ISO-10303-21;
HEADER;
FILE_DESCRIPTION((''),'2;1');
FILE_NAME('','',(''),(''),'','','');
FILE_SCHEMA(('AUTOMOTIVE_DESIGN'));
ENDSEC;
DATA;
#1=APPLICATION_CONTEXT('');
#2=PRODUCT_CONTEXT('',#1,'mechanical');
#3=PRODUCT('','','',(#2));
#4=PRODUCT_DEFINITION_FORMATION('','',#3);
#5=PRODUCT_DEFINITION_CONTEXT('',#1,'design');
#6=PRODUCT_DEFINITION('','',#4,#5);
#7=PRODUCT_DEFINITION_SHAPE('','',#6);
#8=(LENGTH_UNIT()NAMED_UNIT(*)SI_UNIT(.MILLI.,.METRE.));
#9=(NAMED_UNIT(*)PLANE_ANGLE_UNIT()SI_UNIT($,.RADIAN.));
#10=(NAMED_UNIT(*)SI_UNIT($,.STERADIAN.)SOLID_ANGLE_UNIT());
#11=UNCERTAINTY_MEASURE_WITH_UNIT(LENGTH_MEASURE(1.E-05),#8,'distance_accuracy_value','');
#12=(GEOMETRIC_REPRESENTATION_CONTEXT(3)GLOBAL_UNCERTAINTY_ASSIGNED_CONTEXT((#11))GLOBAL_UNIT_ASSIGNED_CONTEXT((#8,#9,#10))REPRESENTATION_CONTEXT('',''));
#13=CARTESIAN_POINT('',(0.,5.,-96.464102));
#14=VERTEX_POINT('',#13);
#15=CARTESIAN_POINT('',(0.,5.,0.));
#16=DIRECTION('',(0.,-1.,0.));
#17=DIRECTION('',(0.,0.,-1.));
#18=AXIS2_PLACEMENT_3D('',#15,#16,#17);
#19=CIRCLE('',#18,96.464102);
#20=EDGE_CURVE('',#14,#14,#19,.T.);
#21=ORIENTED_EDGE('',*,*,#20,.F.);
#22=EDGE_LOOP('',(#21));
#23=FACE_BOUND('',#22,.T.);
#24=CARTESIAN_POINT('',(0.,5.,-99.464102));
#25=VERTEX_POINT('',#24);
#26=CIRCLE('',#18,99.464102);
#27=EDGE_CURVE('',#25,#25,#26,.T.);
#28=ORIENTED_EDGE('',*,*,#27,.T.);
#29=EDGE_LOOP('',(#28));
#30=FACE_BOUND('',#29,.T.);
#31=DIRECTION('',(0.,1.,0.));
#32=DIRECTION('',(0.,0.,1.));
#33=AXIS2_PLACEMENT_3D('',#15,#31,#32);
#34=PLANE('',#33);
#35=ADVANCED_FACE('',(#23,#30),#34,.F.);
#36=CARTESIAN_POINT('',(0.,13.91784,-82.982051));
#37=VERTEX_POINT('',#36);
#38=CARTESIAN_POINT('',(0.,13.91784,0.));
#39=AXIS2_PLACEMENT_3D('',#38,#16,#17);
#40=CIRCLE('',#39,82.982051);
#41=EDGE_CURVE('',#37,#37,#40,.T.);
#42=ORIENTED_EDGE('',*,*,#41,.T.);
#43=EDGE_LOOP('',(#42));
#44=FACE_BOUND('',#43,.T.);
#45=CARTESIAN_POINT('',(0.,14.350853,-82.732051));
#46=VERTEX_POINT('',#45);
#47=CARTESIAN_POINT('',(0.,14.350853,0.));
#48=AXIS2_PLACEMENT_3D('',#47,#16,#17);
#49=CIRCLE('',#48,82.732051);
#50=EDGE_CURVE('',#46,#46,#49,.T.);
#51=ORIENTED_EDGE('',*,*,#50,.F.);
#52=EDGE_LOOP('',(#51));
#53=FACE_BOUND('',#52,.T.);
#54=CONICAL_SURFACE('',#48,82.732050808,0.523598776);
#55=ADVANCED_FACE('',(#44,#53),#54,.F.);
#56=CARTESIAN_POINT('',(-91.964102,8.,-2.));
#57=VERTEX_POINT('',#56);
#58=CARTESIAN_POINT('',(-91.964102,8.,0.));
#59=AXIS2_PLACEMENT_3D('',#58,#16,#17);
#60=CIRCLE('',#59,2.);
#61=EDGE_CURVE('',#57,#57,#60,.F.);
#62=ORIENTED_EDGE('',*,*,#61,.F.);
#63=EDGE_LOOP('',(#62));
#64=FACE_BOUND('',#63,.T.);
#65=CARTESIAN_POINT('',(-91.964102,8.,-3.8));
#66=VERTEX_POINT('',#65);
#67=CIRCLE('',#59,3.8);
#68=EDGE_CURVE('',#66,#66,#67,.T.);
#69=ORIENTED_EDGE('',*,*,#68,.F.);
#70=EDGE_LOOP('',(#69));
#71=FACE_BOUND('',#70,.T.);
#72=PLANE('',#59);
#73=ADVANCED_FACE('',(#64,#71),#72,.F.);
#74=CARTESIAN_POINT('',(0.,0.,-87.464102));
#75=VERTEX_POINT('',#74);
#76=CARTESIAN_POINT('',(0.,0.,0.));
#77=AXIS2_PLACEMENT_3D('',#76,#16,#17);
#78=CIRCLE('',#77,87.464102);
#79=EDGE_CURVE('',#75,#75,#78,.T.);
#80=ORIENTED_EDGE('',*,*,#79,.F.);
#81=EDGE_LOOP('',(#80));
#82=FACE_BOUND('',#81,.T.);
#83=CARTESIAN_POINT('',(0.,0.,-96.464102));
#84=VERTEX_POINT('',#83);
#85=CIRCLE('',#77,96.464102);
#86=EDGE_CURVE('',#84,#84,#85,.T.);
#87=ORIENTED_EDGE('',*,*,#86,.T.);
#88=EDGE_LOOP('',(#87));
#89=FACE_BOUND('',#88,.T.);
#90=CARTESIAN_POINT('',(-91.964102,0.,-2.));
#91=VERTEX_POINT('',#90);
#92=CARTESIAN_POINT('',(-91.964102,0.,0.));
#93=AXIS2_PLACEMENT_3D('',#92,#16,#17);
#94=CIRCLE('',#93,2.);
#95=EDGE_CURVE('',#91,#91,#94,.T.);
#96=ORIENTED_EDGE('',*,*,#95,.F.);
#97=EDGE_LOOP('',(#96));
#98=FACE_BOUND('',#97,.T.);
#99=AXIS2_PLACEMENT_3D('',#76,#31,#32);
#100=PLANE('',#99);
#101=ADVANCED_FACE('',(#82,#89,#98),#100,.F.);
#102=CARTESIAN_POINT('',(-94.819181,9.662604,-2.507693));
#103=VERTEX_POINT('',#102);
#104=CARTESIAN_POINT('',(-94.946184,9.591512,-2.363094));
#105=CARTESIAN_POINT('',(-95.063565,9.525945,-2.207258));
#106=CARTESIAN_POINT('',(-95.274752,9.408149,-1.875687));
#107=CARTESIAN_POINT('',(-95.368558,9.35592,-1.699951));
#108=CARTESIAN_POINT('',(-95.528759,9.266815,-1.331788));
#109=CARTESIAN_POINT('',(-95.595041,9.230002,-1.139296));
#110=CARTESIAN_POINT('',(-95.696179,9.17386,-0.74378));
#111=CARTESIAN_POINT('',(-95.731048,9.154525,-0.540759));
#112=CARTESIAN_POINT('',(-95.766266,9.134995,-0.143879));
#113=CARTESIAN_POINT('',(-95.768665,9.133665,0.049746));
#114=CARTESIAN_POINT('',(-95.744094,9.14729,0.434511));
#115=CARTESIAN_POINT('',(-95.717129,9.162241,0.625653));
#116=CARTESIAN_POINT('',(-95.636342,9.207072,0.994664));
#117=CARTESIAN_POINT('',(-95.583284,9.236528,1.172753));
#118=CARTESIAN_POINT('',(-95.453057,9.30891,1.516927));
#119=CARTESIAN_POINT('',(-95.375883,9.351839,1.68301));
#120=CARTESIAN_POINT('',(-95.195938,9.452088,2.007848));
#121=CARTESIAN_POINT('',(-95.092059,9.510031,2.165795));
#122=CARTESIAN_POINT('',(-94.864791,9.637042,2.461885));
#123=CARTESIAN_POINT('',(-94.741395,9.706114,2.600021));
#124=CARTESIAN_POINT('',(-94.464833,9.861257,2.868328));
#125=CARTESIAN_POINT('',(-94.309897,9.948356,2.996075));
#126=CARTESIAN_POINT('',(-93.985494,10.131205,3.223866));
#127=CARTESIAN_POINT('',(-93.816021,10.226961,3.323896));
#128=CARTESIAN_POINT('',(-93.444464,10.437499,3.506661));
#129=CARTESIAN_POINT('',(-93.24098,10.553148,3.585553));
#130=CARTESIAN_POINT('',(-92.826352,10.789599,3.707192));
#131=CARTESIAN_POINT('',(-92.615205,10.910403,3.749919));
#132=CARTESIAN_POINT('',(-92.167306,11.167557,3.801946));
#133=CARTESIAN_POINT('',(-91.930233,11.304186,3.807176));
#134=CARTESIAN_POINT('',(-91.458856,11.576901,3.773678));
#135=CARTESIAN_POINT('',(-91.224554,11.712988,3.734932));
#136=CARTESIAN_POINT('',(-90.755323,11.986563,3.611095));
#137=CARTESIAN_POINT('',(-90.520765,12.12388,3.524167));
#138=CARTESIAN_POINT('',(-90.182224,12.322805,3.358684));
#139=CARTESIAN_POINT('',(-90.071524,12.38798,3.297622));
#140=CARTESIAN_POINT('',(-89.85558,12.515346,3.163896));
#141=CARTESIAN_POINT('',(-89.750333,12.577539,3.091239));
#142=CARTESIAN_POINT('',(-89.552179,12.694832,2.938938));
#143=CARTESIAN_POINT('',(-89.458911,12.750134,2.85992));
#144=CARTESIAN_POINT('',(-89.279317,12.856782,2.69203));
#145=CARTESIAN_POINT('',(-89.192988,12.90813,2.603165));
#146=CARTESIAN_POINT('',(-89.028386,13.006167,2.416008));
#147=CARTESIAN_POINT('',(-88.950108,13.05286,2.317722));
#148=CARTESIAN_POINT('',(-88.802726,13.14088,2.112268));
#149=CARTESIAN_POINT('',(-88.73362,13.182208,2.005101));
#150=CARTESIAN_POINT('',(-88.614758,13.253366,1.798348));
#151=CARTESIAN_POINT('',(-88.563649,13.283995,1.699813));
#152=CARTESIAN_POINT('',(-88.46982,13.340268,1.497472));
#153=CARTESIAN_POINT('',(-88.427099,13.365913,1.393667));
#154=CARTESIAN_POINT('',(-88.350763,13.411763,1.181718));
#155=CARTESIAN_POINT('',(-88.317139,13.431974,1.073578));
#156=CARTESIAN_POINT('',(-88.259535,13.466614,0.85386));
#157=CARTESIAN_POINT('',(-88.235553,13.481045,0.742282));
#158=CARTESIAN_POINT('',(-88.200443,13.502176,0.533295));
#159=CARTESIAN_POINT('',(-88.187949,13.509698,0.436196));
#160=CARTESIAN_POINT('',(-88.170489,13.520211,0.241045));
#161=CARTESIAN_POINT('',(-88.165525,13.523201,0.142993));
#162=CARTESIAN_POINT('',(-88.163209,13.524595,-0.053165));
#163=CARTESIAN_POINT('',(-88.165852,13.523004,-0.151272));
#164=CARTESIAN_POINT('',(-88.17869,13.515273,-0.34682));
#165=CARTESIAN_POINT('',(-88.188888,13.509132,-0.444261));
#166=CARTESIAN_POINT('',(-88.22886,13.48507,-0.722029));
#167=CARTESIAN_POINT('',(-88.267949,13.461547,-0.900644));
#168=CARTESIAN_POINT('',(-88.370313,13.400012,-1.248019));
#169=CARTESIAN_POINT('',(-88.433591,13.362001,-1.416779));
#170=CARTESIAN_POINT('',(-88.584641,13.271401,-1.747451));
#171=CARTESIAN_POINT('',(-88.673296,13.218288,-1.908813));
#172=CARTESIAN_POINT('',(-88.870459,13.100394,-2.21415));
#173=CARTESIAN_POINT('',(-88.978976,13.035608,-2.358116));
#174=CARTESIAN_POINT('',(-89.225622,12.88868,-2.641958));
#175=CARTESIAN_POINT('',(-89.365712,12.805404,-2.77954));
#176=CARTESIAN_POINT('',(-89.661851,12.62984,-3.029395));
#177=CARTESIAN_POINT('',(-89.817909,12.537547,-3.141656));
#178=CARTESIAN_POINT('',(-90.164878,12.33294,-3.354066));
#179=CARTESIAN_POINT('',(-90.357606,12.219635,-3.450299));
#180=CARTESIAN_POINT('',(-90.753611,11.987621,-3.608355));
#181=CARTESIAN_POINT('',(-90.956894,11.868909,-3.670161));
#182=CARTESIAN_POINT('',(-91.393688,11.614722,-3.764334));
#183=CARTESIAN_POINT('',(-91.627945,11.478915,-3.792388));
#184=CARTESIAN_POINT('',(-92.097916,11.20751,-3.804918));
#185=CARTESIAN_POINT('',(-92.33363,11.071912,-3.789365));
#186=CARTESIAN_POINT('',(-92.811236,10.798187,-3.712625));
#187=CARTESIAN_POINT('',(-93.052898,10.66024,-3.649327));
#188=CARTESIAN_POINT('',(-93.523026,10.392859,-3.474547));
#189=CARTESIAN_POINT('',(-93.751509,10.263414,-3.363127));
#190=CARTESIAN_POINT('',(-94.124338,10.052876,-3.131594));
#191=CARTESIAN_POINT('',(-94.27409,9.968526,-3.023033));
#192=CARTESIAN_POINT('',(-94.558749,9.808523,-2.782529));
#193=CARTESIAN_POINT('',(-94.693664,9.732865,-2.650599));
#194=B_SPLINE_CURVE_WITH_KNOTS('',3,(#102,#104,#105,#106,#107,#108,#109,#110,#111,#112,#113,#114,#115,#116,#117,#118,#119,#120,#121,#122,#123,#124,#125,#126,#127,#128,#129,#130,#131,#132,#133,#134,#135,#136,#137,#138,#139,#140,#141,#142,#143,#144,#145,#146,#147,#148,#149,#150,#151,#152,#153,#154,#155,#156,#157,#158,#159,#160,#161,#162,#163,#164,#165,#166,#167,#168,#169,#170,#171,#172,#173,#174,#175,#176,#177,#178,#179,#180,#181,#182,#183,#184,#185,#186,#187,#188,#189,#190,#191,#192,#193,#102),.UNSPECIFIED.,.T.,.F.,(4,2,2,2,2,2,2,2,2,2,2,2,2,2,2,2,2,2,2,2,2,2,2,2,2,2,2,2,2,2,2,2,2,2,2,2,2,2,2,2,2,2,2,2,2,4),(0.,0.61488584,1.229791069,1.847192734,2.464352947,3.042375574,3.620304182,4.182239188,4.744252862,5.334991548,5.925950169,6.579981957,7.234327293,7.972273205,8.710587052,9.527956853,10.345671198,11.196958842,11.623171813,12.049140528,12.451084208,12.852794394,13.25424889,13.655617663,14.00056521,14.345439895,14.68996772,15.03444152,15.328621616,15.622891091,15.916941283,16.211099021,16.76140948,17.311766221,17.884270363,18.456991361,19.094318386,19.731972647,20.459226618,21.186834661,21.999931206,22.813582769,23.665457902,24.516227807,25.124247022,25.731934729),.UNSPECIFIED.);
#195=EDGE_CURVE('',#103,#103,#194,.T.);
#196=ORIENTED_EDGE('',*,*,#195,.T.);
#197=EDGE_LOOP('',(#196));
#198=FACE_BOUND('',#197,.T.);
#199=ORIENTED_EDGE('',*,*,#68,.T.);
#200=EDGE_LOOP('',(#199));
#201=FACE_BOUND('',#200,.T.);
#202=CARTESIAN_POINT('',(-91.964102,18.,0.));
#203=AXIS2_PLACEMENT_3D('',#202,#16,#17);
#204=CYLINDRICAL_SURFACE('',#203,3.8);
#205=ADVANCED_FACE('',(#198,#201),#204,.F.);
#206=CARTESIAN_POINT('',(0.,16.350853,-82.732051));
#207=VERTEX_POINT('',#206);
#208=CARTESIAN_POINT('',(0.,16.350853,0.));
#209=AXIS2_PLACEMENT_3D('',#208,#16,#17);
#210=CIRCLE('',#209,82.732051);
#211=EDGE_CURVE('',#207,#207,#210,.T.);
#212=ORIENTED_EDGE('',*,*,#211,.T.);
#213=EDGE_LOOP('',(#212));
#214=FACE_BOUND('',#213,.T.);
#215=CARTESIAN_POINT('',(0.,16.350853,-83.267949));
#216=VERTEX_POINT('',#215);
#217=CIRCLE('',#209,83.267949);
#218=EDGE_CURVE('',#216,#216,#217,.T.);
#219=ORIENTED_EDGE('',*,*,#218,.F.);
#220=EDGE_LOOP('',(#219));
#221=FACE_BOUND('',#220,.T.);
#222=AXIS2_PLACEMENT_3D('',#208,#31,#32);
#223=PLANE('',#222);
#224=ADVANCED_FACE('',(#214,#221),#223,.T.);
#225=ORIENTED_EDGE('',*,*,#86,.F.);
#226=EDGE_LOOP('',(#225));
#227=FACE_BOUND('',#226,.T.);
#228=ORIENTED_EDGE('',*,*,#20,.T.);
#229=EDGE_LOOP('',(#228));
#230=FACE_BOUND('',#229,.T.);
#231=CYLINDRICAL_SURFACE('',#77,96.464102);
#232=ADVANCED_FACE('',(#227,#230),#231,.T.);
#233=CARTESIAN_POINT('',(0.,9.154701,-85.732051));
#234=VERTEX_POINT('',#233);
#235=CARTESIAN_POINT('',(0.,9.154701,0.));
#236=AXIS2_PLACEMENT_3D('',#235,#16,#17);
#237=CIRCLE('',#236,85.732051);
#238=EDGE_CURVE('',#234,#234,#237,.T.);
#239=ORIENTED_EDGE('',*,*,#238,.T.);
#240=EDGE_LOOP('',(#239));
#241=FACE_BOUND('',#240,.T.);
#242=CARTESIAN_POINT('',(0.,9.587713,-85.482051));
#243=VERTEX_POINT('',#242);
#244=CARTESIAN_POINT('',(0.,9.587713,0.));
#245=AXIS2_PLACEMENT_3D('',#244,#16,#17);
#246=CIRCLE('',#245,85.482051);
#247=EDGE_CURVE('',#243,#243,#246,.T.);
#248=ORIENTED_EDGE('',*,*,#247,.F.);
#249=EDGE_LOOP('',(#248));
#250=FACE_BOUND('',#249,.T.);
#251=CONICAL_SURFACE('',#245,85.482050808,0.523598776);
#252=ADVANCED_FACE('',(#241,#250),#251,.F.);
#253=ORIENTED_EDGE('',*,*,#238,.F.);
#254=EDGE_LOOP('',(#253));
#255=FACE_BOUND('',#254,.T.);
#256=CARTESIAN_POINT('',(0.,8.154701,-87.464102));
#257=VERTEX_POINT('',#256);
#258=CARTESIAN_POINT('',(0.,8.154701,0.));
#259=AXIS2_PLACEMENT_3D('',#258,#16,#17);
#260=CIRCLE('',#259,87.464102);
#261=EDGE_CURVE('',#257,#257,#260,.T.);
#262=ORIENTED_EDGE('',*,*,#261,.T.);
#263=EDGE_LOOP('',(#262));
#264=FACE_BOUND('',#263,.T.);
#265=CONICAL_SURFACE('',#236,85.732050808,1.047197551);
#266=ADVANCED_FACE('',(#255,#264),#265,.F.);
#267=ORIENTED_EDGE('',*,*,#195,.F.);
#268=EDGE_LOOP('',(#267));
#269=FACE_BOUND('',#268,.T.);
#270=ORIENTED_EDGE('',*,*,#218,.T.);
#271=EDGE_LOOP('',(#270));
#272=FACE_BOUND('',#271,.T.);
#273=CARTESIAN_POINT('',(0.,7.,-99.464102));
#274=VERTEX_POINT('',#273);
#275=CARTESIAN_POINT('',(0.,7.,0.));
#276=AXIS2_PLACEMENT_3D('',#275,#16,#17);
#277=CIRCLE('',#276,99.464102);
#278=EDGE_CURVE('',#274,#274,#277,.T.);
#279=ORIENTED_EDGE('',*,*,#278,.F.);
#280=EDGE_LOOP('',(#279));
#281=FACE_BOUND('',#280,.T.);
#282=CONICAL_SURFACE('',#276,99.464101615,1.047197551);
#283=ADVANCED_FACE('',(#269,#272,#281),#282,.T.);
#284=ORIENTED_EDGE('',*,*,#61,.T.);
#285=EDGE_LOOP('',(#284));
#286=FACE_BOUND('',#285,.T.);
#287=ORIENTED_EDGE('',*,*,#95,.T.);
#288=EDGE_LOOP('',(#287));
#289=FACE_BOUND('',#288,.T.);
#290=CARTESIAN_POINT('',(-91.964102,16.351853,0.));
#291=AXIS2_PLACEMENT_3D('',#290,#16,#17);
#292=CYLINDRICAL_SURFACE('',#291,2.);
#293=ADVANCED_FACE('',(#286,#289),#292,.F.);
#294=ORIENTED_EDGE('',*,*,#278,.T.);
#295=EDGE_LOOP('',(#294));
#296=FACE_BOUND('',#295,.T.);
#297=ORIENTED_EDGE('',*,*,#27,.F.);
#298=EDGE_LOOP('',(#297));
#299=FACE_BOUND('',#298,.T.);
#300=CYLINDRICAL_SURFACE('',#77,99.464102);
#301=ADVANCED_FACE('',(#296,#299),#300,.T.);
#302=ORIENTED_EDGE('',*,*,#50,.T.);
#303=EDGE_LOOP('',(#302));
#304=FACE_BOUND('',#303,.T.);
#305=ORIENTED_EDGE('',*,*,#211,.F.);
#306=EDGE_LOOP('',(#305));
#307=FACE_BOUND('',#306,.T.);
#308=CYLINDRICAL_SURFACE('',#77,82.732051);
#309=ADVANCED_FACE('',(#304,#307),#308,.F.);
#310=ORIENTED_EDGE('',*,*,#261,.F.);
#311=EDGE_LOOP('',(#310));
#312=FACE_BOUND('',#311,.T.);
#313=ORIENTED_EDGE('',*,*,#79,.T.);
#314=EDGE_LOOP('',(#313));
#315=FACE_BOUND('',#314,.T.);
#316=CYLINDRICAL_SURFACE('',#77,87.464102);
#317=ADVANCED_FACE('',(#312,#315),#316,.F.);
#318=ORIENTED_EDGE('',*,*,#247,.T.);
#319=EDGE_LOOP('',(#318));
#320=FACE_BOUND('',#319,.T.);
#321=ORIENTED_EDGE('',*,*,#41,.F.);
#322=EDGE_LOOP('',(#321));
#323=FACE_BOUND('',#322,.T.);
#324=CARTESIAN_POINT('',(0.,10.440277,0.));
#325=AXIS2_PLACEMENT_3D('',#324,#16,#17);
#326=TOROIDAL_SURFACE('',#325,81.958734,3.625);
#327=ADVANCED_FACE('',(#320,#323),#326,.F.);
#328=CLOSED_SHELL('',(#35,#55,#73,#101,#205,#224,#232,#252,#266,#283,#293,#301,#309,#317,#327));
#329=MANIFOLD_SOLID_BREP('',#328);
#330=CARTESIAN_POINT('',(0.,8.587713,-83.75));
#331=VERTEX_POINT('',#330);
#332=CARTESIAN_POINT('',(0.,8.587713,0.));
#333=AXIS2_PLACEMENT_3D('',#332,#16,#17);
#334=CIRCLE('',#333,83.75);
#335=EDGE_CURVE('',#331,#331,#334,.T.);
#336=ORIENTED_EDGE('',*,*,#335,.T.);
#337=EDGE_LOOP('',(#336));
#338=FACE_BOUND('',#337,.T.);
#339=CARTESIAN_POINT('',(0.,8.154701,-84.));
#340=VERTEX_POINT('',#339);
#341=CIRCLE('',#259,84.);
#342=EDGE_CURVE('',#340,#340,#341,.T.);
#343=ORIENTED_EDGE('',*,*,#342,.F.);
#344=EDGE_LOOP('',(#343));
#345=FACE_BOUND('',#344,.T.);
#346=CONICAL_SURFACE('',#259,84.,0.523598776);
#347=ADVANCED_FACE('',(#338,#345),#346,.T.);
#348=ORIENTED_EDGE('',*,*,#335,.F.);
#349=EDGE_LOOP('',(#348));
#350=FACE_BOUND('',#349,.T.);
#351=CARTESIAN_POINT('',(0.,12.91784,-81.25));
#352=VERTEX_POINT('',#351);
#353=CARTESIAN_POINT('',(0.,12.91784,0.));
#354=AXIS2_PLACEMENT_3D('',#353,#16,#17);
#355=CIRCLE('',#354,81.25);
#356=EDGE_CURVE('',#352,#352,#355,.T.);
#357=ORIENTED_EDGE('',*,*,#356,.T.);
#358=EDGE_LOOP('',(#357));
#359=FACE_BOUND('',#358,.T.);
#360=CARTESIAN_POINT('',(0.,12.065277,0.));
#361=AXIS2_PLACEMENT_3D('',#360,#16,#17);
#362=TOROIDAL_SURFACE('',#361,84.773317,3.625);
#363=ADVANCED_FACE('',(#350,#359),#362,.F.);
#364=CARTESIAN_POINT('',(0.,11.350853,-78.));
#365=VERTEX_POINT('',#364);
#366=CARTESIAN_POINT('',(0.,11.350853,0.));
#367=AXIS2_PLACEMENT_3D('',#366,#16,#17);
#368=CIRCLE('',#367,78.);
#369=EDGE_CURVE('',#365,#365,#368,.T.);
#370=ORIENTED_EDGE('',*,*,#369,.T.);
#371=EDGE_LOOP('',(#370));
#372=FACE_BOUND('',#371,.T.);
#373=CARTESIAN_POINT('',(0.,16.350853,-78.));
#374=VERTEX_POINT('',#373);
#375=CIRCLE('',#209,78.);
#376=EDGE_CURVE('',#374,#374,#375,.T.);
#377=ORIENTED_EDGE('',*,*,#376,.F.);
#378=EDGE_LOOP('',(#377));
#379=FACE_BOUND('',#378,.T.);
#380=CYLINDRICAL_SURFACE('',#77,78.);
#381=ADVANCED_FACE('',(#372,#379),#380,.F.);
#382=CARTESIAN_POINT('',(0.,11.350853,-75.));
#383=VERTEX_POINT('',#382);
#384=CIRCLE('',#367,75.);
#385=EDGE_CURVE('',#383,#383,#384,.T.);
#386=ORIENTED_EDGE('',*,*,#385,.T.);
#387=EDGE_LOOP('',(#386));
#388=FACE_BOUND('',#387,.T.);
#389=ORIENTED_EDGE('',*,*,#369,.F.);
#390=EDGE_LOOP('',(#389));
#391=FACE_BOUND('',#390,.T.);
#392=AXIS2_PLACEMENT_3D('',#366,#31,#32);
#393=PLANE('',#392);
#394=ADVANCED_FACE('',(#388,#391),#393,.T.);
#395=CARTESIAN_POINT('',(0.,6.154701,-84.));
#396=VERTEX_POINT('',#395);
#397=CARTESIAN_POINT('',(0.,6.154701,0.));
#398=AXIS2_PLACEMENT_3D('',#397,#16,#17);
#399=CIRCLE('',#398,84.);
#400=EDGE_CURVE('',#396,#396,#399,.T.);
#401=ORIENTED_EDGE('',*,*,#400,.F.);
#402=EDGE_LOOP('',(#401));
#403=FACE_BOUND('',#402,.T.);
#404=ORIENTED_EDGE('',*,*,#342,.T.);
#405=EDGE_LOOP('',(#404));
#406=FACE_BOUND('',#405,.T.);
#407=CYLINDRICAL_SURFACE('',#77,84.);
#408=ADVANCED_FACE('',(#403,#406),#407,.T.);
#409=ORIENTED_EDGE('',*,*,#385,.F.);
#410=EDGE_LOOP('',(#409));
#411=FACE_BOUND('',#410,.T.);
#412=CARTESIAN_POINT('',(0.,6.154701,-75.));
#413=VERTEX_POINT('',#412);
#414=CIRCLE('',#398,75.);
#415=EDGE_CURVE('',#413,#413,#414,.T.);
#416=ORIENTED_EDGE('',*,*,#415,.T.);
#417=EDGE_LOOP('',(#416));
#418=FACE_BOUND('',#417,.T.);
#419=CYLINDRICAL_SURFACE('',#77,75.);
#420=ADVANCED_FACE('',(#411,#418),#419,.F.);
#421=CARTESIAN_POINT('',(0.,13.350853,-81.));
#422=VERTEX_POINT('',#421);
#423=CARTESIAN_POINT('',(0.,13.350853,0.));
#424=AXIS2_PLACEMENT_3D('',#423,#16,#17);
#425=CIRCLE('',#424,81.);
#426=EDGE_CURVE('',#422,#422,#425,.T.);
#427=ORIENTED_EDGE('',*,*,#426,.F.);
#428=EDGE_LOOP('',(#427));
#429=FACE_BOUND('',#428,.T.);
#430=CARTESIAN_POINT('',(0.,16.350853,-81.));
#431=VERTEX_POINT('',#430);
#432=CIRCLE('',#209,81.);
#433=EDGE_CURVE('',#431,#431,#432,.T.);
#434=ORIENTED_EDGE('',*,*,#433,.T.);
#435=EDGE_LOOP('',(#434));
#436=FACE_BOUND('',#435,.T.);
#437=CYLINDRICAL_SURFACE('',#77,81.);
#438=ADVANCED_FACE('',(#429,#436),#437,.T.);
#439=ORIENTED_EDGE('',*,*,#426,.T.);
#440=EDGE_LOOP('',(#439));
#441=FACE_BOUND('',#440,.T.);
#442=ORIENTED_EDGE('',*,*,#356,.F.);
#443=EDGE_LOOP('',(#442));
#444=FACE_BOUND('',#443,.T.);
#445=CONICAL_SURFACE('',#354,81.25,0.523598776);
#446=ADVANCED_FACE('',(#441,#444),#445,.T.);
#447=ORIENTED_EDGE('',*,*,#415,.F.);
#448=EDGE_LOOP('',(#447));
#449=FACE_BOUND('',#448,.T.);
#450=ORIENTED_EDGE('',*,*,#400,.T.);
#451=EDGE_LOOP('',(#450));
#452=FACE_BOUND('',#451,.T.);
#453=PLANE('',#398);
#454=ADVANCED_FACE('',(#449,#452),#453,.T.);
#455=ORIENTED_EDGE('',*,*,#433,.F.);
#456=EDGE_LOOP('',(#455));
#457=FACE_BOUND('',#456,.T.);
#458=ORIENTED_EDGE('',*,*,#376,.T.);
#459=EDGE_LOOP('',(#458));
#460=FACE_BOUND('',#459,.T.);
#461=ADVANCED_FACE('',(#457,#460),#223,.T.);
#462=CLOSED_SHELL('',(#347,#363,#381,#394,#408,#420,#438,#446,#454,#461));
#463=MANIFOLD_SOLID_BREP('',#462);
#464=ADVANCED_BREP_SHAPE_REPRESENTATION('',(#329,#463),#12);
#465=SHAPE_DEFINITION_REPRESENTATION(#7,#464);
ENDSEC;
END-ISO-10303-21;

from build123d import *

# Parameters (mm, degrees)
CUT_EXTRUDE1_REACH = 143.611
SKETCH2_R          = 2
CUT_EXTRUDE5_START = -8
SKETCH2_3_R        = 3.8
CUT_EXTRUDE5_DEPTH = 10


with BuildPart() as part:
    # Sketch1 → Revolve1 (revolve)
    with BuildSketch(Plane.XY):
        with BuildLine():
            Line((-83.267949192, 16.350852961), (-99.464101615, 7))
            Line((-99.464101615, 7), (-99.464101615, 5))
            Line((-99.464101615, 5), (-96.464101615, 5))
            Line((-96.464101615, 5), (-96.464101615, 0))
            Line((-96.464101615, 0), (-87.464101615, 0))
            Line((-87.464101615, 0), (-87.464101615, 8.154700538))
            Line((-87.464101615, 8.154700538), (-85.732050808, 9.154700538))
            Line((-85.732050808, 9.154700538), (-85.482050808, 9.58771324))
            ThreePointArc((-85.482050808, 9.58771324), (-85.098076211, 12.25277675), (-82.982050808, 13.917840259))
            Line((-82.982050808, 13.917840259), (-82.732050808, 14.350852961))
            Line((-82.732050808, 14.350852961), (-82.732050808, 16.350852961))
            Line((-82.732050808, 16.350852961), (-83.267949192, 16.350852961))
        make_face()
    revolve(axis=Axis((0, 0, 0), (0, 1, 0)))

    # Sketch2 → Cut-Extrude1 (cut, up to next)
    with BuildSketch(Plane.XZ, mode=Mode.PRIVATE) as cut_extrude1_sk1:
        with Locations((-91.964101615, 0)):
            Circle(SKETCH2_R)
    cut_extrude1_tool1 = extrude(cut_extrude1_sk1.sketch, amount=-CUT_EXTRUDE1_REACH, mode=Mode.PRIVATE) & part.part
    add(cut_extrude1_tool1.solids().sort_by_distance((-91.964102, 0, 0))[0], mode=Mode.SUBTRACT)

    # Sketch2<3> → Cut-Extrude5 (cut)
    with BuildSketch(Plane.XZ.offset(CUT_EXTRUDE5_START)):
        with Locations((-91.964101615, 0)):
            Circle(SKETCH2_3_R)
    extrude(amount=-CUT_EXTRUDE5_DEPTH, mode=Mode.SUBTRACT)


with BuildPart() as body_2:
    # Sketch1<3> → Revolve2 (revolve)
    with BuildSketch(Plane.XY):
        with BuildLine():
            Line((-83.75, 8.58771324), (-84, 8.154700538))
            Line((-84, 8.154700538), (-84, 6.154700538))
            Line((-84, 6.154700538), (-75, 6.154700538))
            Line((-75, 6.154700538), (-75, 11.350852961))
            Line((-75, 11.350852961), (-77.8, 11.350852961))
            Line((-77.8, 11.350852961), (-78, 11.350852961))
            Line((-78, 11.350852961), (-78, 16.350852961))
            Line((-78, 16.350852961), (-81, 16.350852961))
            Line((-81, 16.350852961), (-81, 13.350852961))
            Line((-81, 13.350852961), (-81.25, 12.917840259))
            ThreePointArc((-81.25, 12.917840259), (-81.633974596, 10.25277675), (-83.75, 8.58771324))
        make_face()
    revolve(axis=Axis((0, 0, 0), (0, 1, 0)))


solid = Compound([part.part, body_2.part])
